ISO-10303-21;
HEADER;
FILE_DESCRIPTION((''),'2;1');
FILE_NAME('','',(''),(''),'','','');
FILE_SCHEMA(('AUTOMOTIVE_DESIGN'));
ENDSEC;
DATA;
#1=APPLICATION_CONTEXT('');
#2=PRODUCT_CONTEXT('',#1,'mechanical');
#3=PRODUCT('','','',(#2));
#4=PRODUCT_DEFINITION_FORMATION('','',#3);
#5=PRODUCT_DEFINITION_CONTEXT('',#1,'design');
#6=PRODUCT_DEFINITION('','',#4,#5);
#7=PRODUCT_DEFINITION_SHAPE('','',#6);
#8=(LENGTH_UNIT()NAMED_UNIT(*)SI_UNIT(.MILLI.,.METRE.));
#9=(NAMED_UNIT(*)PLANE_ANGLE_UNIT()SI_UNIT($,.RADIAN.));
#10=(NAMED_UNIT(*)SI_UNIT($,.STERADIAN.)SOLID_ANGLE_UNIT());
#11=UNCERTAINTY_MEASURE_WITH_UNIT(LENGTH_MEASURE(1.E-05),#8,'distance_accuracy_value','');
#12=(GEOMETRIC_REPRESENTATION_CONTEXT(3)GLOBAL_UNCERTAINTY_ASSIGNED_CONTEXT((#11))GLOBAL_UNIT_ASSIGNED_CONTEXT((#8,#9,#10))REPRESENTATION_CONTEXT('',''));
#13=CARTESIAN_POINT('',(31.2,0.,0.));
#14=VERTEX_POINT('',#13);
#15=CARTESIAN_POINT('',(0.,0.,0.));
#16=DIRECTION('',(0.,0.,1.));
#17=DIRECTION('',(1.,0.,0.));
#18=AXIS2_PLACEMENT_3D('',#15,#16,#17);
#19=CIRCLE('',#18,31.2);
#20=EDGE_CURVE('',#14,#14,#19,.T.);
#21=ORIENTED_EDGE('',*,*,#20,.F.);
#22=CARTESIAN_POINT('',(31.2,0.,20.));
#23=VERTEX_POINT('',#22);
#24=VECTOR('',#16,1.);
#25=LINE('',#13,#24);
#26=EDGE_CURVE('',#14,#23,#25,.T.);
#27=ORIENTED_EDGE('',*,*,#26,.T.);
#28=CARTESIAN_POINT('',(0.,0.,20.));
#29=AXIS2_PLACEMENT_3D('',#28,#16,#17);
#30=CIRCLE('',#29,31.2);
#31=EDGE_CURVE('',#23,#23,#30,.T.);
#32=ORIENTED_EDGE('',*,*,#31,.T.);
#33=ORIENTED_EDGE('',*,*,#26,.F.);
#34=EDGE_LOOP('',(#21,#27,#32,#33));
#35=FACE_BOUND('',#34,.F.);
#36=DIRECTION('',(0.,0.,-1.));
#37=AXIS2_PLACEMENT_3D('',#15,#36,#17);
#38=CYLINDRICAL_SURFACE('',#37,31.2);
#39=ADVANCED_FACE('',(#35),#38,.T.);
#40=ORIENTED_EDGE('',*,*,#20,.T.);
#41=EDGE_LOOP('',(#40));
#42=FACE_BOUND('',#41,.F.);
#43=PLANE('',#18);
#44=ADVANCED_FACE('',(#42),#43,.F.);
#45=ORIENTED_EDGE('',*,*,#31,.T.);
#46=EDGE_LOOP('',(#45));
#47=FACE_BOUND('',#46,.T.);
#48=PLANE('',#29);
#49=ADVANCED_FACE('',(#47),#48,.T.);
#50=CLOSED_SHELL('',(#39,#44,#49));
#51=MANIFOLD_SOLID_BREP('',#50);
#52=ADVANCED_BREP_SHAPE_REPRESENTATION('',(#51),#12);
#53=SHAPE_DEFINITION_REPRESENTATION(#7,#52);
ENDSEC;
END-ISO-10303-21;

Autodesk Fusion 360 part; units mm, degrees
sketch "Skizze1" plane through (0, 0, 0) normal (0, 0, 1) x (1, 0, 0)
  circle A0 centre (0, 0) radius 31.2
  dimension "d1" = 62.4
extrude "Extrusion1" add sketch "Skizze1" along normal blind 20
